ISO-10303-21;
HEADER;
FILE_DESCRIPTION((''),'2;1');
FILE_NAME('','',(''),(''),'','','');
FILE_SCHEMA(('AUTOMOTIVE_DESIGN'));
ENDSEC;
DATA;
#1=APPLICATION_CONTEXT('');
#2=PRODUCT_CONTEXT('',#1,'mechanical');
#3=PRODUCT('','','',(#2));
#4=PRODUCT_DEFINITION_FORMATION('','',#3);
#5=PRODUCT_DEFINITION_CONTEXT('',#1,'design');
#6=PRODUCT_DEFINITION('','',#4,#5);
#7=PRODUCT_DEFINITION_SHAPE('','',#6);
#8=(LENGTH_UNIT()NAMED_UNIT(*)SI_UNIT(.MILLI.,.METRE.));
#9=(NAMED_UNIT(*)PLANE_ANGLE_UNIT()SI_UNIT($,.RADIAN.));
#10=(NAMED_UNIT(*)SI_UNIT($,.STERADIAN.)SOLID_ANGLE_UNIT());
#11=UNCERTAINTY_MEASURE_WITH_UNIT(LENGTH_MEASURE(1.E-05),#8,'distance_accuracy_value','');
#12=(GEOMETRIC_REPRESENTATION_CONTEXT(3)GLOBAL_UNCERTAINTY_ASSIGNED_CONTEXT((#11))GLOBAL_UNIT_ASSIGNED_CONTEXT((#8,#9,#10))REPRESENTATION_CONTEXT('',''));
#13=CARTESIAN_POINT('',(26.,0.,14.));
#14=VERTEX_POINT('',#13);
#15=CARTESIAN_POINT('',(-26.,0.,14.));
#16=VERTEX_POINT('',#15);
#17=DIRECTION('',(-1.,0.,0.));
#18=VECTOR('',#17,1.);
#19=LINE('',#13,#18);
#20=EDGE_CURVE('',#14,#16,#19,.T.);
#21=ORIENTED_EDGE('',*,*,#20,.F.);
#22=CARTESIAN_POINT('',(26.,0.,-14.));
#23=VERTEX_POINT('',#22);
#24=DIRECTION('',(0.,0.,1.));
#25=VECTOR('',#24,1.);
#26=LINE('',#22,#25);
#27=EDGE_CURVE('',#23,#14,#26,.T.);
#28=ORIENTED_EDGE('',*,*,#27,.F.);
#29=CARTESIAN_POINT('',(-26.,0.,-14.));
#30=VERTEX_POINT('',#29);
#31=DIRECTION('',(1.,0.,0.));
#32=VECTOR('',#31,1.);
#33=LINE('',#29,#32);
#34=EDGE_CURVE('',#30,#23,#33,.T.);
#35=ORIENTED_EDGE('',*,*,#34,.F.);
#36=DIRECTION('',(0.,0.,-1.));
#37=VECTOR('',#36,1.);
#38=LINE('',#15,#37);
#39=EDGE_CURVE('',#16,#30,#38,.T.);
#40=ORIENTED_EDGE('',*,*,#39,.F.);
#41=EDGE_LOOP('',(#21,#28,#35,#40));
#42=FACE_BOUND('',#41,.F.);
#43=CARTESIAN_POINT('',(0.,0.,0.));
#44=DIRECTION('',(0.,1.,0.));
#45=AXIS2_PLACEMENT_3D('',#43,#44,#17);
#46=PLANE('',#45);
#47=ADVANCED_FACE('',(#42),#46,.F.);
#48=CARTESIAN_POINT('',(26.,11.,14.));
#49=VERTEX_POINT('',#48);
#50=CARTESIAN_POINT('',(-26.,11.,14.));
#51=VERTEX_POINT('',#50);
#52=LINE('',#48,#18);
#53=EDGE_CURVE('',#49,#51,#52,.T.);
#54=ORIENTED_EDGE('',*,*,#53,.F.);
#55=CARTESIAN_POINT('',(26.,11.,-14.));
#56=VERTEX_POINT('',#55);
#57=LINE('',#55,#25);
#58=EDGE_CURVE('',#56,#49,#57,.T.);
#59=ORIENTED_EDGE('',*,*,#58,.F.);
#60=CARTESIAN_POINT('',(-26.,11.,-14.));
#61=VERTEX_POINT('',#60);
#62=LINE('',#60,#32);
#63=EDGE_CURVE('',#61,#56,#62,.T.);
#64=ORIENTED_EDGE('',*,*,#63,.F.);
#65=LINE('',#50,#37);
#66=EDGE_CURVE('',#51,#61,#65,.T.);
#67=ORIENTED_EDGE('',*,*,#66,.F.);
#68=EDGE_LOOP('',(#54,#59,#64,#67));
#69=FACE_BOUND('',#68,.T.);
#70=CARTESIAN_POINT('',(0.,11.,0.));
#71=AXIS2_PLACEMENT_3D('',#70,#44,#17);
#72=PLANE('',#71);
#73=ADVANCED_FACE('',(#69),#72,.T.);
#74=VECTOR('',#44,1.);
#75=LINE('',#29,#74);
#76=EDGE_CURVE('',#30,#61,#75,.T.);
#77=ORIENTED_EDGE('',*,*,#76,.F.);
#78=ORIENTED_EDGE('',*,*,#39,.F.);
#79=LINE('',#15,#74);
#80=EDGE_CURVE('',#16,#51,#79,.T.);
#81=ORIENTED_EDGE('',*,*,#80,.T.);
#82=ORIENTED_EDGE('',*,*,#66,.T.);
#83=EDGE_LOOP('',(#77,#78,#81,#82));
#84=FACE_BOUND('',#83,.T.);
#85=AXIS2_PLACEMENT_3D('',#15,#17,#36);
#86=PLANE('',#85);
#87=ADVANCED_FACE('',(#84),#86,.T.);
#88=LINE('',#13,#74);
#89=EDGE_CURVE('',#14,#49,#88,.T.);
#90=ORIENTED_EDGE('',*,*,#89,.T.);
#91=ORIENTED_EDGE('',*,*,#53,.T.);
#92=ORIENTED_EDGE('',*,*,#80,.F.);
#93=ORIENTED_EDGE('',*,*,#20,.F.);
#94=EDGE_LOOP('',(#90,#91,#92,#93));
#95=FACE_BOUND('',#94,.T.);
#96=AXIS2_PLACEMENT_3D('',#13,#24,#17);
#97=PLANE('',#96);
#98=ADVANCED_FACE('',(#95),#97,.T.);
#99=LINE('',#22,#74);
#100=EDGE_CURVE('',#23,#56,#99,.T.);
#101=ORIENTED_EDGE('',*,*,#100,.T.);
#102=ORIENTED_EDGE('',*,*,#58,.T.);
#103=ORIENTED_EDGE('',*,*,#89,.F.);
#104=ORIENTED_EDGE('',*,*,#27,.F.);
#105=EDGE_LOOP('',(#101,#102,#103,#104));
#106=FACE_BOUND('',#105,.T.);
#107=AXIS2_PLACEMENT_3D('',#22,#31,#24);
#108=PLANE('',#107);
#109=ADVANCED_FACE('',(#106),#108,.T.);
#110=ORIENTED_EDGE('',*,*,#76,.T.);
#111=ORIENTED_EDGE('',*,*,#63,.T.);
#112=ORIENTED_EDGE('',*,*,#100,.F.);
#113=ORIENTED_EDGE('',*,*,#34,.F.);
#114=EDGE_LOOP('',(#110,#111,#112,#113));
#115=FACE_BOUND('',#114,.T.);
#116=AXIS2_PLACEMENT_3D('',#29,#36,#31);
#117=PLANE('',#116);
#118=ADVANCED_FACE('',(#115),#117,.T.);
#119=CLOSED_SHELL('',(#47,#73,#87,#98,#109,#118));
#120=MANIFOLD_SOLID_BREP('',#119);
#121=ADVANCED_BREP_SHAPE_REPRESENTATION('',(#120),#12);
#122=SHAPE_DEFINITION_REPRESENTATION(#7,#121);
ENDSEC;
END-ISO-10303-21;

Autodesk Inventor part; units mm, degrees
ref_plane "YZ Plane" through (0, 0, 0) normal (1, 0, 0) x (0, 1, 0)
ref_plane "XZ Plane" through (0, 0, 0) normal (0, 1, 0) x (-1, 0, 0)
ref_plane "XY Plane" through (0, 0, 0) normal (0, 0, 1) x (1, 0, 0)
sketch "Sketch1" plane through (0, 0, 0) normal (0, 1, 0) x (-1, 0, 0)
  line L0 (26, -14) -> (-26, -14)
  line L1 (-26, -14) -> (-26, 14)
  line L2 (-26, 14) -> (26, 14)
  line L3 (26, 14) -> (26, -14)
  line L4 (26, -14) -> (-26, 14) construction
  line L5 (-26, -14) -> (26, 14) construction
  point P0 (0, 0)
  dimension "d0" = 52
  dimension "d1" = 28
extrude "Extrusion1" add sketch "Sketch1" along normal blind 11
